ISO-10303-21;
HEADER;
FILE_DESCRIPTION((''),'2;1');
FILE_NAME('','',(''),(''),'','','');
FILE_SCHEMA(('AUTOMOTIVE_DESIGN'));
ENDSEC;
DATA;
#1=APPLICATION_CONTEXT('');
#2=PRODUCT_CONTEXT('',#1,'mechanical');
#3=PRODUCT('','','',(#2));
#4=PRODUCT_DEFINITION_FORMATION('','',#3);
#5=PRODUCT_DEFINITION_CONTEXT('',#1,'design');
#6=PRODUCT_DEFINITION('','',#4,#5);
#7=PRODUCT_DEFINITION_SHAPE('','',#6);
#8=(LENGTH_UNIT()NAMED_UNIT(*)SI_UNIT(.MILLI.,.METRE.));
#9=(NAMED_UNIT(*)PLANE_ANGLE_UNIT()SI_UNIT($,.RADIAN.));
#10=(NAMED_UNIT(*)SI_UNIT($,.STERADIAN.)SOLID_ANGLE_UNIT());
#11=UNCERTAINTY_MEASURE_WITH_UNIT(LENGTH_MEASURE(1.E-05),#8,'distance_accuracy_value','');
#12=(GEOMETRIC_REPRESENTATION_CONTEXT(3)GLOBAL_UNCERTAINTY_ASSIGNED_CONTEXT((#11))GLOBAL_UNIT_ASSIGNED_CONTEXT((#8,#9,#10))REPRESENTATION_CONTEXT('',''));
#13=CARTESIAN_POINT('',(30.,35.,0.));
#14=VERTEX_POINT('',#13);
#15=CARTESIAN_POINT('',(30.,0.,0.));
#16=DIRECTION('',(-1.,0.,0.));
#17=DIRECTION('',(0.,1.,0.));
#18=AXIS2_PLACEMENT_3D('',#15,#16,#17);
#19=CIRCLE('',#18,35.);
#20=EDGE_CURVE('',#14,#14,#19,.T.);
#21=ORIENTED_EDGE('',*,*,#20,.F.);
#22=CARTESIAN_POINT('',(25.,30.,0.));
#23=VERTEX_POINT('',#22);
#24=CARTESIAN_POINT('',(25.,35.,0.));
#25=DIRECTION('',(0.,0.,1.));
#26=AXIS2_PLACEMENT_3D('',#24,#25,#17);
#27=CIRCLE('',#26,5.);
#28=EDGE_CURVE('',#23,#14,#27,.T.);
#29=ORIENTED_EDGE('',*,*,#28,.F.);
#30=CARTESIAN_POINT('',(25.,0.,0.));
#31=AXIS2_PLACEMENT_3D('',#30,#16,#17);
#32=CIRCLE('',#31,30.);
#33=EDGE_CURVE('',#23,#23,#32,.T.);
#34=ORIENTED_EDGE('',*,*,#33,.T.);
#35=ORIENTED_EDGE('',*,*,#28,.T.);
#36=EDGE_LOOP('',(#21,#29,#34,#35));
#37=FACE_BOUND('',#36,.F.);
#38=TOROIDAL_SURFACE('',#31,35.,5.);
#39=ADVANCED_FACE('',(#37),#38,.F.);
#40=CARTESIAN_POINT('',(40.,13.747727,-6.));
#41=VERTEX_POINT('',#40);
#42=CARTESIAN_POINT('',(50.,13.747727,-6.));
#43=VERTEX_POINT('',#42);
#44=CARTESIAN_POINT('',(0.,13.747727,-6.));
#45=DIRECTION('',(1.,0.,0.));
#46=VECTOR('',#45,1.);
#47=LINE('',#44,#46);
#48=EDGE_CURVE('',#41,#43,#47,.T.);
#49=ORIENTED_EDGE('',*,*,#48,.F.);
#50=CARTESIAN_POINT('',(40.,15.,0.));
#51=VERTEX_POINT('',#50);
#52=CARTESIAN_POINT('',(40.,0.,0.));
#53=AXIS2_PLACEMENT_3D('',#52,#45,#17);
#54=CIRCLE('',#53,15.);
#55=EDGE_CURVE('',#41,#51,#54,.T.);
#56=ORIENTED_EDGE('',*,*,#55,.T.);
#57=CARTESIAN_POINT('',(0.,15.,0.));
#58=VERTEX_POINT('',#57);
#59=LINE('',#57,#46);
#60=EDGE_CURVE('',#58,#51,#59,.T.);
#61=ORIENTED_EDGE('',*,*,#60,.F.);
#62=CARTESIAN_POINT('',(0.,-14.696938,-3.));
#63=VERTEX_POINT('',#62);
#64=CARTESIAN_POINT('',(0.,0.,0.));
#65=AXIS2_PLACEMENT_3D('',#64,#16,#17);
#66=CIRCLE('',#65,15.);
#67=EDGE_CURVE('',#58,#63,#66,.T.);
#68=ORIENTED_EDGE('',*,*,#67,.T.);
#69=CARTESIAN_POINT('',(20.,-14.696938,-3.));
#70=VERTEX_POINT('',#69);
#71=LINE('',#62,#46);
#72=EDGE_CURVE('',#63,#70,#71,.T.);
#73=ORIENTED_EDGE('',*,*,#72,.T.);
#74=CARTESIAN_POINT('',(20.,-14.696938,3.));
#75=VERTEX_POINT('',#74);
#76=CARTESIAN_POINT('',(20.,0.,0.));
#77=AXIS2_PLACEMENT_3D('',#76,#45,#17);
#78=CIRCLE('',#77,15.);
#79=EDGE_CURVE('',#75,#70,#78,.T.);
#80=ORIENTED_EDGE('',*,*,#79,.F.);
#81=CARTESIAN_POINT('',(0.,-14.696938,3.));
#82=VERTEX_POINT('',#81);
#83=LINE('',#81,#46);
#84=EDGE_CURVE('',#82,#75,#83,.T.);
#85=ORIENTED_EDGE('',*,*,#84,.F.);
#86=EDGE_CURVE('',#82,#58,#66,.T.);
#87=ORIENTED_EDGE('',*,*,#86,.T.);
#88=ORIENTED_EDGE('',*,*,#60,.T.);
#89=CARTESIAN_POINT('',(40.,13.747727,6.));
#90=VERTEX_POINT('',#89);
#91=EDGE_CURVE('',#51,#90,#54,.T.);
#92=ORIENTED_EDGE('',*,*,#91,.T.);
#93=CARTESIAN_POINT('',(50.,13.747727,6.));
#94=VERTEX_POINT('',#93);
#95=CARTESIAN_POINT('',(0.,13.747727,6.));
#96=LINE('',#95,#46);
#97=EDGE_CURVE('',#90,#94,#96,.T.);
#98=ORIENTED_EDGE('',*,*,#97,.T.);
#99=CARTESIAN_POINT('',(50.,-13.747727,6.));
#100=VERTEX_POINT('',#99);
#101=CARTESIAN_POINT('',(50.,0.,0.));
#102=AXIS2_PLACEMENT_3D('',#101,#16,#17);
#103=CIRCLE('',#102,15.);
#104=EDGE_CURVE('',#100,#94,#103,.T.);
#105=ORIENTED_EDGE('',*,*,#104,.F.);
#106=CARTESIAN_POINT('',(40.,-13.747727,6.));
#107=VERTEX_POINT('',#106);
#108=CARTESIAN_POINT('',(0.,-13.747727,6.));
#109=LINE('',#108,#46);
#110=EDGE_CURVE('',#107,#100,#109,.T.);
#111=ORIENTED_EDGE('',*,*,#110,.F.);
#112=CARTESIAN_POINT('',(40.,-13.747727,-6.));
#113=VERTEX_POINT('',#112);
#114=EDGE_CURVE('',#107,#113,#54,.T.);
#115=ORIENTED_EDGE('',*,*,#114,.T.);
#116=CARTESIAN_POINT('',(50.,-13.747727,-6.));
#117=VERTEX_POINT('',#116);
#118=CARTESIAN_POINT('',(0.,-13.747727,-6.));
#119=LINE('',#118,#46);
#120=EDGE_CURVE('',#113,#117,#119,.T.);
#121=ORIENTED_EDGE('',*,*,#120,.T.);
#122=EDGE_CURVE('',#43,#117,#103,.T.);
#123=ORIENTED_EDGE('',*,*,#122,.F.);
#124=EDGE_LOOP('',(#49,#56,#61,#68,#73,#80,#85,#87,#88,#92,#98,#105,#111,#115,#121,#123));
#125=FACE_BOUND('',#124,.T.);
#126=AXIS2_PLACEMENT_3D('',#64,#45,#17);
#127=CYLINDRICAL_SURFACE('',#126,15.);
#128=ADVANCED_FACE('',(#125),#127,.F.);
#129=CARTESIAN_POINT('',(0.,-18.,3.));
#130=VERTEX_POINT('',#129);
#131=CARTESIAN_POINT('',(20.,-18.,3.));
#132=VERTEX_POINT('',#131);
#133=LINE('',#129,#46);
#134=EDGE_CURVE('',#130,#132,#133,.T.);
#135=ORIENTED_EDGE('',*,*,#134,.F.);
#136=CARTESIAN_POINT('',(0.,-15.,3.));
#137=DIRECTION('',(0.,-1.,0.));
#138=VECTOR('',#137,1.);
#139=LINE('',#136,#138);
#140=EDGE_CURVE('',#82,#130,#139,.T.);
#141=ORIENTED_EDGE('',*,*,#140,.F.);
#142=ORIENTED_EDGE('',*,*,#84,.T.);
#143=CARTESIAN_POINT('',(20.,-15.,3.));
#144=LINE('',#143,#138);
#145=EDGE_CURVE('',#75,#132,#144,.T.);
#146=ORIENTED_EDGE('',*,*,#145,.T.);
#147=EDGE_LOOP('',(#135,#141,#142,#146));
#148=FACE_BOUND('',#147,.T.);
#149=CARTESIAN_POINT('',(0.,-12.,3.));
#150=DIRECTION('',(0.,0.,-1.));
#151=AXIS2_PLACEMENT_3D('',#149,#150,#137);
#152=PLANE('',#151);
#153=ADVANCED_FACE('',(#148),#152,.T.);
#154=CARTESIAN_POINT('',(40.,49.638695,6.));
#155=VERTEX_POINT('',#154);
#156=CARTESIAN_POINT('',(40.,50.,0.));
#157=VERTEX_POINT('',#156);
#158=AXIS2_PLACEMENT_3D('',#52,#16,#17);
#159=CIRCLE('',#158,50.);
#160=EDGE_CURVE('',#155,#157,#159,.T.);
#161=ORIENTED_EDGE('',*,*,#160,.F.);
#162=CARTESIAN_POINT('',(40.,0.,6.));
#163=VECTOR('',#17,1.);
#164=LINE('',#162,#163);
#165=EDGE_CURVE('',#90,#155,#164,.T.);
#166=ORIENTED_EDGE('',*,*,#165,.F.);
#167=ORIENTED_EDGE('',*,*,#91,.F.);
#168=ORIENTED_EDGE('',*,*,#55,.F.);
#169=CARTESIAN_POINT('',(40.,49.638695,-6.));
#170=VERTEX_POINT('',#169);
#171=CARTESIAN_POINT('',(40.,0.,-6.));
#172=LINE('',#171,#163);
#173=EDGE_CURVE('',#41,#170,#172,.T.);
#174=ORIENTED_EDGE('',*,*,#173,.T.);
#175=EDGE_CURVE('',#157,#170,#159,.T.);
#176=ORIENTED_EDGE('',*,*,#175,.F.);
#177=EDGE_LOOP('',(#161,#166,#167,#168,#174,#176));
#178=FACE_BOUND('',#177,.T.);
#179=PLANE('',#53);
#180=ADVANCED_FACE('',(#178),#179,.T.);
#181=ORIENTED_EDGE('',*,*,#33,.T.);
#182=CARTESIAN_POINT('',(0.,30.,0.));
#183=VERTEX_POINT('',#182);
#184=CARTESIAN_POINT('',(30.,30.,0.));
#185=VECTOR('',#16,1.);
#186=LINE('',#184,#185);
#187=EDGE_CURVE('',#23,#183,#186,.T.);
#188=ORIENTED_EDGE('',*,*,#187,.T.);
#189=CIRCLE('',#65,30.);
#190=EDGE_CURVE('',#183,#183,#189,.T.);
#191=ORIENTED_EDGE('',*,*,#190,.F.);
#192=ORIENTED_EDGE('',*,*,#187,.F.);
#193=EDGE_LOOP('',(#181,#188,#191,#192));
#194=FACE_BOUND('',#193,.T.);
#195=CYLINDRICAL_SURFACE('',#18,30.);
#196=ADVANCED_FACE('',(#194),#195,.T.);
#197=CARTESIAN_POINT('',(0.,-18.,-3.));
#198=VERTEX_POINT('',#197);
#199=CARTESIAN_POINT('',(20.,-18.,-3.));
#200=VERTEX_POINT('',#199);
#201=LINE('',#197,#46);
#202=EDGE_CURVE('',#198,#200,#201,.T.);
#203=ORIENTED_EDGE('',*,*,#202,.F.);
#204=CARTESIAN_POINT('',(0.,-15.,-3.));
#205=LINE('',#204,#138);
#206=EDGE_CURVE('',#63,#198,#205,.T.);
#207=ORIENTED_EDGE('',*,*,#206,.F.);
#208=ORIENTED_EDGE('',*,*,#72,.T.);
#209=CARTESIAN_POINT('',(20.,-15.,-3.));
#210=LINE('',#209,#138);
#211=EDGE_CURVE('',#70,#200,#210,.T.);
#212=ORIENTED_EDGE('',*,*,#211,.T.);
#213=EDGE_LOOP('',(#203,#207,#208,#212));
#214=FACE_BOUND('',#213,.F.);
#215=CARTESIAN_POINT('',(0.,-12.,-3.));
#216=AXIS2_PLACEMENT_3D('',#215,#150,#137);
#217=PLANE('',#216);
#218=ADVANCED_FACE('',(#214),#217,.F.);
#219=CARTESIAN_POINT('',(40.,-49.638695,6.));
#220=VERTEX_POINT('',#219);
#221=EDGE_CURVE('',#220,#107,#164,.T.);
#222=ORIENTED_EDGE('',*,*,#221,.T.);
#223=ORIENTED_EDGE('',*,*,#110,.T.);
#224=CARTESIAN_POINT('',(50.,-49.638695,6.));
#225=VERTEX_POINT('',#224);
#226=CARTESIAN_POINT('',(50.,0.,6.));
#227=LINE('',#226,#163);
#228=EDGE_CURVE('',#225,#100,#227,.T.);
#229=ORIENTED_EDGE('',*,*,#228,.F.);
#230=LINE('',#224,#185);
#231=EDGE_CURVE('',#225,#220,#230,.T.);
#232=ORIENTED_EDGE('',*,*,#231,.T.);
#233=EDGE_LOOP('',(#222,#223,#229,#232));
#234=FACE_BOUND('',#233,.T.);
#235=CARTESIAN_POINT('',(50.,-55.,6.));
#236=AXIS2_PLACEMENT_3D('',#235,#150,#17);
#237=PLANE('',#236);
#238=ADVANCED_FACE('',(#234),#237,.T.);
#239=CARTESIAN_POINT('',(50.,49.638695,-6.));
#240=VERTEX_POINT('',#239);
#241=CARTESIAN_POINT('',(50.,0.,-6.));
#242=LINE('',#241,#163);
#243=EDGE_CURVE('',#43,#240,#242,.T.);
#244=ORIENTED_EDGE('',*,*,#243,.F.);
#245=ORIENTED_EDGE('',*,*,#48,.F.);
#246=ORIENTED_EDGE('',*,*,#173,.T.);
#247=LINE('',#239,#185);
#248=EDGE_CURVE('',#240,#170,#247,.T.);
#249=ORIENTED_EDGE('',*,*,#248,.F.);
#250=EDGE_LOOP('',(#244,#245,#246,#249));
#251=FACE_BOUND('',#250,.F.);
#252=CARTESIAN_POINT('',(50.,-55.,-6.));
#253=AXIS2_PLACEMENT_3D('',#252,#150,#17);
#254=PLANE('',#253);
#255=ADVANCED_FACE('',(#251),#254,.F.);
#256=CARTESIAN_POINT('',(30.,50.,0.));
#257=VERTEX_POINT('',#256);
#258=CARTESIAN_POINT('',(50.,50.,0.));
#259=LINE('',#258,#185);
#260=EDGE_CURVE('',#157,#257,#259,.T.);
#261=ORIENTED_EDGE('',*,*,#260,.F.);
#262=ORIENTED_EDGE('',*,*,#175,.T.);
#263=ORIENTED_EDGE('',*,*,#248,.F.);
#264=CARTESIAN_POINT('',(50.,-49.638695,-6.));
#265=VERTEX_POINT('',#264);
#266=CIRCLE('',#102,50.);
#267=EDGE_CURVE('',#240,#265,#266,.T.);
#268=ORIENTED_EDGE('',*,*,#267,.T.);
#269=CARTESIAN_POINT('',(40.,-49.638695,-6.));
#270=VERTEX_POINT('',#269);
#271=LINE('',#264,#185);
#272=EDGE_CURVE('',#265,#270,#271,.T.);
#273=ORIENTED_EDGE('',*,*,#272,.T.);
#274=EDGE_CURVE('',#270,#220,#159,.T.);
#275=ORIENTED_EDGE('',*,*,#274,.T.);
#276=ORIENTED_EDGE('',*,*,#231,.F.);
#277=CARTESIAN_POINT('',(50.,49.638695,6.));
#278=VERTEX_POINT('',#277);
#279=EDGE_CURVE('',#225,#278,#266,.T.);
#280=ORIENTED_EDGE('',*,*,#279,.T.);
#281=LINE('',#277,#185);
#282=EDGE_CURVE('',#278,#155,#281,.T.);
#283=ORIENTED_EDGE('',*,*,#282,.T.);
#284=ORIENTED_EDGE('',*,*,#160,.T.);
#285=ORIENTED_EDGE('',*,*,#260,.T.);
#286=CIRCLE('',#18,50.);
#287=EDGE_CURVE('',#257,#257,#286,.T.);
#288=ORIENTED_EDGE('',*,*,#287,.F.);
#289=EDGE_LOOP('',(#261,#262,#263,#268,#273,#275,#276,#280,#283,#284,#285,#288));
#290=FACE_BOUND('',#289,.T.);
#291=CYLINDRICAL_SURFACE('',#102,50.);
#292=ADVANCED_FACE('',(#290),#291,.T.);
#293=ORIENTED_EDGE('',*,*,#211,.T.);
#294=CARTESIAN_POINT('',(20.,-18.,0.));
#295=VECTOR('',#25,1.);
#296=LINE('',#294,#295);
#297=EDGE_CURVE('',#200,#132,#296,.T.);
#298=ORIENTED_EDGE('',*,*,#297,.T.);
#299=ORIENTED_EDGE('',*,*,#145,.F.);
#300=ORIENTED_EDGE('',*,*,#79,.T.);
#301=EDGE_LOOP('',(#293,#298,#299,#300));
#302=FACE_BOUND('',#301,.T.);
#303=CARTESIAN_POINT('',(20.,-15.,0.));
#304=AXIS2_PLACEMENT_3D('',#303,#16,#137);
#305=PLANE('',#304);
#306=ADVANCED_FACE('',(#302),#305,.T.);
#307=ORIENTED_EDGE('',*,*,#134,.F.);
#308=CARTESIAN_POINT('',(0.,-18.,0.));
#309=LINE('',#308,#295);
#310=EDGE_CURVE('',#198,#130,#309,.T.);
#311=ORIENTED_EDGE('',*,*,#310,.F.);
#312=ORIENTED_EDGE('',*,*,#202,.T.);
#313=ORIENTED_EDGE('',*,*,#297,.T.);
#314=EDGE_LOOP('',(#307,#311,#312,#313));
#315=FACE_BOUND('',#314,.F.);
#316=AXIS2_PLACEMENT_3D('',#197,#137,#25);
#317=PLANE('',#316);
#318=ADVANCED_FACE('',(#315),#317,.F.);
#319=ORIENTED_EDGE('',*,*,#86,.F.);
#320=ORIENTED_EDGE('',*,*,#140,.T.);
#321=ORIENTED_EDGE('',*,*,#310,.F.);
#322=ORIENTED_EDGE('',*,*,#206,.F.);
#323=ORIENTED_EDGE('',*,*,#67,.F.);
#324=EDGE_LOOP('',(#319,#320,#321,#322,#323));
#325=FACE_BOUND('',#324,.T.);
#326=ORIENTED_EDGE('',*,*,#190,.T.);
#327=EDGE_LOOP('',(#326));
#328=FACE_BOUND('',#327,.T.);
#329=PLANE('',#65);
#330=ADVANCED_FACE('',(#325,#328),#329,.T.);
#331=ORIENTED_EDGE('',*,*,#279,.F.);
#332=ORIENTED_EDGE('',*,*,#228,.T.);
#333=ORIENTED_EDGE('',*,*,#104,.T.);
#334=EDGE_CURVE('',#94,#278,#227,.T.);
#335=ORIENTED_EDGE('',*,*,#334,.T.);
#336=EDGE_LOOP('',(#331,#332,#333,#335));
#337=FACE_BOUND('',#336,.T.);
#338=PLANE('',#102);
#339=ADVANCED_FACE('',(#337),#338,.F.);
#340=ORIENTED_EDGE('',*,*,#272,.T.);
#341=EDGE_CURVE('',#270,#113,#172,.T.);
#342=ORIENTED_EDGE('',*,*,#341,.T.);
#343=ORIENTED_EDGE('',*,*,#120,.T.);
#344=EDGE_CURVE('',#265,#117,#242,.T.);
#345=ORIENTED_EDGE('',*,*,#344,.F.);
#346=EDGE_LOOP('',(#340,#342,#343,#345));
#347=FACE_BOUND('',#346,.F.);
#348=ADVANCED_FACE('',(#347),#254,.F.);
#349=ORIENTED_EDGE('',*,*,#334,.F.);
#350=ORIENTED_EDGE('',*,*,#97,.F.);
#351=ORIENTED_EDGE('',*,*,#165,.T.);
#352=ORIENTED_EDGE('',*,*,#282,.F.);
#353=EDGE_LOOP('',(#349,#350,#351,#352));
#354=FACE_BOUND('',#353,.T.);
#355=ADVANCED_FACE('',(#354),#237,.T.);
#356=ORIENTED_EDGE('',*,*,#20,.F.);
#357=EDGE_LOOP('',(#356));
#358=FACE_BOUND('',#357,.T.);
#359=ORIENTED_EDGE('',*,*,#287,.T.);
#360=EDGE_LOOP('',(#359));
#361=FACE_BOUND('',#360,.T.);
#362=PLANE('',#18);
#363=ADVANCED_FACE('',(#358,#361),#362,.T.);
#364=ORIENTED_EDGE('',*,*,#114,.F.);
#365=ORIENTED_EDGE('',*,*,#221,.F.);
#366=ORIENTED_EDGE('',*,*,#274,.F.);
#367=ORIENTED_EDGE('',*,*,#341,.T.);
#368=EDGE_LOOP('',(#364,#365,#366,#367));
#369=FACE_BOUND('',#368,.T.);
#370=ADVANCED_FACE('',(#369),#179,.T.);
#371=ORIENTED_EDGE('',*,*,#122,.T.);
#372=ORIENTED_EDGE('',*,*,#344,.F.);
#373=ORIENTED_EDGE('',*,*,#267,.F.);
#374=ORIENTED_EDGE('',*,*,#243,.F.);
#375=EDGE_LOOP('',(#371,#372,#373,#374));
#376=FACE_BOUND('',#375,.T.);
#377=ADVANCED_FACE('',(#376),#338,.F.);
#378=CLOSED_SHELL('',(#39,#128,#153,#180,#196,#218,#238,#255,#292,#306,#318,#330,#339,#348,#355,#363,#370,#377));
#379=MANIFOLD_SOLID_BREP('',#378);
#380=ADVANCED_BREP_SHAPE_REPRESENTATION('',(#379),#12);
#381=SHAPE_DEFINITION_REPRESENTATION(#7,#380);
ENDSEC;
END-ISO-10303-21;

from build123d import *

# Parameters (mm, degrees)
F2_W     = 110
F2_H     = 12
F3_DEPTH = 10
F4_W     = 6
F4_H     = 6
F5_DEPTH = 20
F6_R     = 5


with BuildPart() as f1:
    # F0 (on Top) → F1 (revolve)
    with BuildSketch(Plane.XY):
        Polygon((0, 30), (0, 15), (50, 15), (50, 50), (30, 50), (30, 30), align=None)
    revolve(axis=Axis((25, 0, 0), (-1, 0, 0)))

    # F2 (on face) → F3 (cut)
    with BuildSketch(Plane.YZ.offset(50)):
        Rectangle(F2_W, F2_H)
    extrude(amount=-F3_DEPTH, mode=Mode.SUBTRACT)

    # F4 (on face) → F5 (cut)
    with BuildSketch(Plane(origin=(0, 0, 0), x_dir=(0, -1, 0), z_dir=(-1, 0, 0))):
        with Locations((15, 0)):
            Rectangle(F4_W, F4_H)
    extrude(amount=-F5_DEPTH, mode=Mode.SUBTRACT)

    # F6
    f6_edges = [f1.edges().sort_by_distance(p)[0] for p in [
        (30, -30, 0),
    ]]
    fillet(f6_edges, radius=F6_R)


solid = f1.part
